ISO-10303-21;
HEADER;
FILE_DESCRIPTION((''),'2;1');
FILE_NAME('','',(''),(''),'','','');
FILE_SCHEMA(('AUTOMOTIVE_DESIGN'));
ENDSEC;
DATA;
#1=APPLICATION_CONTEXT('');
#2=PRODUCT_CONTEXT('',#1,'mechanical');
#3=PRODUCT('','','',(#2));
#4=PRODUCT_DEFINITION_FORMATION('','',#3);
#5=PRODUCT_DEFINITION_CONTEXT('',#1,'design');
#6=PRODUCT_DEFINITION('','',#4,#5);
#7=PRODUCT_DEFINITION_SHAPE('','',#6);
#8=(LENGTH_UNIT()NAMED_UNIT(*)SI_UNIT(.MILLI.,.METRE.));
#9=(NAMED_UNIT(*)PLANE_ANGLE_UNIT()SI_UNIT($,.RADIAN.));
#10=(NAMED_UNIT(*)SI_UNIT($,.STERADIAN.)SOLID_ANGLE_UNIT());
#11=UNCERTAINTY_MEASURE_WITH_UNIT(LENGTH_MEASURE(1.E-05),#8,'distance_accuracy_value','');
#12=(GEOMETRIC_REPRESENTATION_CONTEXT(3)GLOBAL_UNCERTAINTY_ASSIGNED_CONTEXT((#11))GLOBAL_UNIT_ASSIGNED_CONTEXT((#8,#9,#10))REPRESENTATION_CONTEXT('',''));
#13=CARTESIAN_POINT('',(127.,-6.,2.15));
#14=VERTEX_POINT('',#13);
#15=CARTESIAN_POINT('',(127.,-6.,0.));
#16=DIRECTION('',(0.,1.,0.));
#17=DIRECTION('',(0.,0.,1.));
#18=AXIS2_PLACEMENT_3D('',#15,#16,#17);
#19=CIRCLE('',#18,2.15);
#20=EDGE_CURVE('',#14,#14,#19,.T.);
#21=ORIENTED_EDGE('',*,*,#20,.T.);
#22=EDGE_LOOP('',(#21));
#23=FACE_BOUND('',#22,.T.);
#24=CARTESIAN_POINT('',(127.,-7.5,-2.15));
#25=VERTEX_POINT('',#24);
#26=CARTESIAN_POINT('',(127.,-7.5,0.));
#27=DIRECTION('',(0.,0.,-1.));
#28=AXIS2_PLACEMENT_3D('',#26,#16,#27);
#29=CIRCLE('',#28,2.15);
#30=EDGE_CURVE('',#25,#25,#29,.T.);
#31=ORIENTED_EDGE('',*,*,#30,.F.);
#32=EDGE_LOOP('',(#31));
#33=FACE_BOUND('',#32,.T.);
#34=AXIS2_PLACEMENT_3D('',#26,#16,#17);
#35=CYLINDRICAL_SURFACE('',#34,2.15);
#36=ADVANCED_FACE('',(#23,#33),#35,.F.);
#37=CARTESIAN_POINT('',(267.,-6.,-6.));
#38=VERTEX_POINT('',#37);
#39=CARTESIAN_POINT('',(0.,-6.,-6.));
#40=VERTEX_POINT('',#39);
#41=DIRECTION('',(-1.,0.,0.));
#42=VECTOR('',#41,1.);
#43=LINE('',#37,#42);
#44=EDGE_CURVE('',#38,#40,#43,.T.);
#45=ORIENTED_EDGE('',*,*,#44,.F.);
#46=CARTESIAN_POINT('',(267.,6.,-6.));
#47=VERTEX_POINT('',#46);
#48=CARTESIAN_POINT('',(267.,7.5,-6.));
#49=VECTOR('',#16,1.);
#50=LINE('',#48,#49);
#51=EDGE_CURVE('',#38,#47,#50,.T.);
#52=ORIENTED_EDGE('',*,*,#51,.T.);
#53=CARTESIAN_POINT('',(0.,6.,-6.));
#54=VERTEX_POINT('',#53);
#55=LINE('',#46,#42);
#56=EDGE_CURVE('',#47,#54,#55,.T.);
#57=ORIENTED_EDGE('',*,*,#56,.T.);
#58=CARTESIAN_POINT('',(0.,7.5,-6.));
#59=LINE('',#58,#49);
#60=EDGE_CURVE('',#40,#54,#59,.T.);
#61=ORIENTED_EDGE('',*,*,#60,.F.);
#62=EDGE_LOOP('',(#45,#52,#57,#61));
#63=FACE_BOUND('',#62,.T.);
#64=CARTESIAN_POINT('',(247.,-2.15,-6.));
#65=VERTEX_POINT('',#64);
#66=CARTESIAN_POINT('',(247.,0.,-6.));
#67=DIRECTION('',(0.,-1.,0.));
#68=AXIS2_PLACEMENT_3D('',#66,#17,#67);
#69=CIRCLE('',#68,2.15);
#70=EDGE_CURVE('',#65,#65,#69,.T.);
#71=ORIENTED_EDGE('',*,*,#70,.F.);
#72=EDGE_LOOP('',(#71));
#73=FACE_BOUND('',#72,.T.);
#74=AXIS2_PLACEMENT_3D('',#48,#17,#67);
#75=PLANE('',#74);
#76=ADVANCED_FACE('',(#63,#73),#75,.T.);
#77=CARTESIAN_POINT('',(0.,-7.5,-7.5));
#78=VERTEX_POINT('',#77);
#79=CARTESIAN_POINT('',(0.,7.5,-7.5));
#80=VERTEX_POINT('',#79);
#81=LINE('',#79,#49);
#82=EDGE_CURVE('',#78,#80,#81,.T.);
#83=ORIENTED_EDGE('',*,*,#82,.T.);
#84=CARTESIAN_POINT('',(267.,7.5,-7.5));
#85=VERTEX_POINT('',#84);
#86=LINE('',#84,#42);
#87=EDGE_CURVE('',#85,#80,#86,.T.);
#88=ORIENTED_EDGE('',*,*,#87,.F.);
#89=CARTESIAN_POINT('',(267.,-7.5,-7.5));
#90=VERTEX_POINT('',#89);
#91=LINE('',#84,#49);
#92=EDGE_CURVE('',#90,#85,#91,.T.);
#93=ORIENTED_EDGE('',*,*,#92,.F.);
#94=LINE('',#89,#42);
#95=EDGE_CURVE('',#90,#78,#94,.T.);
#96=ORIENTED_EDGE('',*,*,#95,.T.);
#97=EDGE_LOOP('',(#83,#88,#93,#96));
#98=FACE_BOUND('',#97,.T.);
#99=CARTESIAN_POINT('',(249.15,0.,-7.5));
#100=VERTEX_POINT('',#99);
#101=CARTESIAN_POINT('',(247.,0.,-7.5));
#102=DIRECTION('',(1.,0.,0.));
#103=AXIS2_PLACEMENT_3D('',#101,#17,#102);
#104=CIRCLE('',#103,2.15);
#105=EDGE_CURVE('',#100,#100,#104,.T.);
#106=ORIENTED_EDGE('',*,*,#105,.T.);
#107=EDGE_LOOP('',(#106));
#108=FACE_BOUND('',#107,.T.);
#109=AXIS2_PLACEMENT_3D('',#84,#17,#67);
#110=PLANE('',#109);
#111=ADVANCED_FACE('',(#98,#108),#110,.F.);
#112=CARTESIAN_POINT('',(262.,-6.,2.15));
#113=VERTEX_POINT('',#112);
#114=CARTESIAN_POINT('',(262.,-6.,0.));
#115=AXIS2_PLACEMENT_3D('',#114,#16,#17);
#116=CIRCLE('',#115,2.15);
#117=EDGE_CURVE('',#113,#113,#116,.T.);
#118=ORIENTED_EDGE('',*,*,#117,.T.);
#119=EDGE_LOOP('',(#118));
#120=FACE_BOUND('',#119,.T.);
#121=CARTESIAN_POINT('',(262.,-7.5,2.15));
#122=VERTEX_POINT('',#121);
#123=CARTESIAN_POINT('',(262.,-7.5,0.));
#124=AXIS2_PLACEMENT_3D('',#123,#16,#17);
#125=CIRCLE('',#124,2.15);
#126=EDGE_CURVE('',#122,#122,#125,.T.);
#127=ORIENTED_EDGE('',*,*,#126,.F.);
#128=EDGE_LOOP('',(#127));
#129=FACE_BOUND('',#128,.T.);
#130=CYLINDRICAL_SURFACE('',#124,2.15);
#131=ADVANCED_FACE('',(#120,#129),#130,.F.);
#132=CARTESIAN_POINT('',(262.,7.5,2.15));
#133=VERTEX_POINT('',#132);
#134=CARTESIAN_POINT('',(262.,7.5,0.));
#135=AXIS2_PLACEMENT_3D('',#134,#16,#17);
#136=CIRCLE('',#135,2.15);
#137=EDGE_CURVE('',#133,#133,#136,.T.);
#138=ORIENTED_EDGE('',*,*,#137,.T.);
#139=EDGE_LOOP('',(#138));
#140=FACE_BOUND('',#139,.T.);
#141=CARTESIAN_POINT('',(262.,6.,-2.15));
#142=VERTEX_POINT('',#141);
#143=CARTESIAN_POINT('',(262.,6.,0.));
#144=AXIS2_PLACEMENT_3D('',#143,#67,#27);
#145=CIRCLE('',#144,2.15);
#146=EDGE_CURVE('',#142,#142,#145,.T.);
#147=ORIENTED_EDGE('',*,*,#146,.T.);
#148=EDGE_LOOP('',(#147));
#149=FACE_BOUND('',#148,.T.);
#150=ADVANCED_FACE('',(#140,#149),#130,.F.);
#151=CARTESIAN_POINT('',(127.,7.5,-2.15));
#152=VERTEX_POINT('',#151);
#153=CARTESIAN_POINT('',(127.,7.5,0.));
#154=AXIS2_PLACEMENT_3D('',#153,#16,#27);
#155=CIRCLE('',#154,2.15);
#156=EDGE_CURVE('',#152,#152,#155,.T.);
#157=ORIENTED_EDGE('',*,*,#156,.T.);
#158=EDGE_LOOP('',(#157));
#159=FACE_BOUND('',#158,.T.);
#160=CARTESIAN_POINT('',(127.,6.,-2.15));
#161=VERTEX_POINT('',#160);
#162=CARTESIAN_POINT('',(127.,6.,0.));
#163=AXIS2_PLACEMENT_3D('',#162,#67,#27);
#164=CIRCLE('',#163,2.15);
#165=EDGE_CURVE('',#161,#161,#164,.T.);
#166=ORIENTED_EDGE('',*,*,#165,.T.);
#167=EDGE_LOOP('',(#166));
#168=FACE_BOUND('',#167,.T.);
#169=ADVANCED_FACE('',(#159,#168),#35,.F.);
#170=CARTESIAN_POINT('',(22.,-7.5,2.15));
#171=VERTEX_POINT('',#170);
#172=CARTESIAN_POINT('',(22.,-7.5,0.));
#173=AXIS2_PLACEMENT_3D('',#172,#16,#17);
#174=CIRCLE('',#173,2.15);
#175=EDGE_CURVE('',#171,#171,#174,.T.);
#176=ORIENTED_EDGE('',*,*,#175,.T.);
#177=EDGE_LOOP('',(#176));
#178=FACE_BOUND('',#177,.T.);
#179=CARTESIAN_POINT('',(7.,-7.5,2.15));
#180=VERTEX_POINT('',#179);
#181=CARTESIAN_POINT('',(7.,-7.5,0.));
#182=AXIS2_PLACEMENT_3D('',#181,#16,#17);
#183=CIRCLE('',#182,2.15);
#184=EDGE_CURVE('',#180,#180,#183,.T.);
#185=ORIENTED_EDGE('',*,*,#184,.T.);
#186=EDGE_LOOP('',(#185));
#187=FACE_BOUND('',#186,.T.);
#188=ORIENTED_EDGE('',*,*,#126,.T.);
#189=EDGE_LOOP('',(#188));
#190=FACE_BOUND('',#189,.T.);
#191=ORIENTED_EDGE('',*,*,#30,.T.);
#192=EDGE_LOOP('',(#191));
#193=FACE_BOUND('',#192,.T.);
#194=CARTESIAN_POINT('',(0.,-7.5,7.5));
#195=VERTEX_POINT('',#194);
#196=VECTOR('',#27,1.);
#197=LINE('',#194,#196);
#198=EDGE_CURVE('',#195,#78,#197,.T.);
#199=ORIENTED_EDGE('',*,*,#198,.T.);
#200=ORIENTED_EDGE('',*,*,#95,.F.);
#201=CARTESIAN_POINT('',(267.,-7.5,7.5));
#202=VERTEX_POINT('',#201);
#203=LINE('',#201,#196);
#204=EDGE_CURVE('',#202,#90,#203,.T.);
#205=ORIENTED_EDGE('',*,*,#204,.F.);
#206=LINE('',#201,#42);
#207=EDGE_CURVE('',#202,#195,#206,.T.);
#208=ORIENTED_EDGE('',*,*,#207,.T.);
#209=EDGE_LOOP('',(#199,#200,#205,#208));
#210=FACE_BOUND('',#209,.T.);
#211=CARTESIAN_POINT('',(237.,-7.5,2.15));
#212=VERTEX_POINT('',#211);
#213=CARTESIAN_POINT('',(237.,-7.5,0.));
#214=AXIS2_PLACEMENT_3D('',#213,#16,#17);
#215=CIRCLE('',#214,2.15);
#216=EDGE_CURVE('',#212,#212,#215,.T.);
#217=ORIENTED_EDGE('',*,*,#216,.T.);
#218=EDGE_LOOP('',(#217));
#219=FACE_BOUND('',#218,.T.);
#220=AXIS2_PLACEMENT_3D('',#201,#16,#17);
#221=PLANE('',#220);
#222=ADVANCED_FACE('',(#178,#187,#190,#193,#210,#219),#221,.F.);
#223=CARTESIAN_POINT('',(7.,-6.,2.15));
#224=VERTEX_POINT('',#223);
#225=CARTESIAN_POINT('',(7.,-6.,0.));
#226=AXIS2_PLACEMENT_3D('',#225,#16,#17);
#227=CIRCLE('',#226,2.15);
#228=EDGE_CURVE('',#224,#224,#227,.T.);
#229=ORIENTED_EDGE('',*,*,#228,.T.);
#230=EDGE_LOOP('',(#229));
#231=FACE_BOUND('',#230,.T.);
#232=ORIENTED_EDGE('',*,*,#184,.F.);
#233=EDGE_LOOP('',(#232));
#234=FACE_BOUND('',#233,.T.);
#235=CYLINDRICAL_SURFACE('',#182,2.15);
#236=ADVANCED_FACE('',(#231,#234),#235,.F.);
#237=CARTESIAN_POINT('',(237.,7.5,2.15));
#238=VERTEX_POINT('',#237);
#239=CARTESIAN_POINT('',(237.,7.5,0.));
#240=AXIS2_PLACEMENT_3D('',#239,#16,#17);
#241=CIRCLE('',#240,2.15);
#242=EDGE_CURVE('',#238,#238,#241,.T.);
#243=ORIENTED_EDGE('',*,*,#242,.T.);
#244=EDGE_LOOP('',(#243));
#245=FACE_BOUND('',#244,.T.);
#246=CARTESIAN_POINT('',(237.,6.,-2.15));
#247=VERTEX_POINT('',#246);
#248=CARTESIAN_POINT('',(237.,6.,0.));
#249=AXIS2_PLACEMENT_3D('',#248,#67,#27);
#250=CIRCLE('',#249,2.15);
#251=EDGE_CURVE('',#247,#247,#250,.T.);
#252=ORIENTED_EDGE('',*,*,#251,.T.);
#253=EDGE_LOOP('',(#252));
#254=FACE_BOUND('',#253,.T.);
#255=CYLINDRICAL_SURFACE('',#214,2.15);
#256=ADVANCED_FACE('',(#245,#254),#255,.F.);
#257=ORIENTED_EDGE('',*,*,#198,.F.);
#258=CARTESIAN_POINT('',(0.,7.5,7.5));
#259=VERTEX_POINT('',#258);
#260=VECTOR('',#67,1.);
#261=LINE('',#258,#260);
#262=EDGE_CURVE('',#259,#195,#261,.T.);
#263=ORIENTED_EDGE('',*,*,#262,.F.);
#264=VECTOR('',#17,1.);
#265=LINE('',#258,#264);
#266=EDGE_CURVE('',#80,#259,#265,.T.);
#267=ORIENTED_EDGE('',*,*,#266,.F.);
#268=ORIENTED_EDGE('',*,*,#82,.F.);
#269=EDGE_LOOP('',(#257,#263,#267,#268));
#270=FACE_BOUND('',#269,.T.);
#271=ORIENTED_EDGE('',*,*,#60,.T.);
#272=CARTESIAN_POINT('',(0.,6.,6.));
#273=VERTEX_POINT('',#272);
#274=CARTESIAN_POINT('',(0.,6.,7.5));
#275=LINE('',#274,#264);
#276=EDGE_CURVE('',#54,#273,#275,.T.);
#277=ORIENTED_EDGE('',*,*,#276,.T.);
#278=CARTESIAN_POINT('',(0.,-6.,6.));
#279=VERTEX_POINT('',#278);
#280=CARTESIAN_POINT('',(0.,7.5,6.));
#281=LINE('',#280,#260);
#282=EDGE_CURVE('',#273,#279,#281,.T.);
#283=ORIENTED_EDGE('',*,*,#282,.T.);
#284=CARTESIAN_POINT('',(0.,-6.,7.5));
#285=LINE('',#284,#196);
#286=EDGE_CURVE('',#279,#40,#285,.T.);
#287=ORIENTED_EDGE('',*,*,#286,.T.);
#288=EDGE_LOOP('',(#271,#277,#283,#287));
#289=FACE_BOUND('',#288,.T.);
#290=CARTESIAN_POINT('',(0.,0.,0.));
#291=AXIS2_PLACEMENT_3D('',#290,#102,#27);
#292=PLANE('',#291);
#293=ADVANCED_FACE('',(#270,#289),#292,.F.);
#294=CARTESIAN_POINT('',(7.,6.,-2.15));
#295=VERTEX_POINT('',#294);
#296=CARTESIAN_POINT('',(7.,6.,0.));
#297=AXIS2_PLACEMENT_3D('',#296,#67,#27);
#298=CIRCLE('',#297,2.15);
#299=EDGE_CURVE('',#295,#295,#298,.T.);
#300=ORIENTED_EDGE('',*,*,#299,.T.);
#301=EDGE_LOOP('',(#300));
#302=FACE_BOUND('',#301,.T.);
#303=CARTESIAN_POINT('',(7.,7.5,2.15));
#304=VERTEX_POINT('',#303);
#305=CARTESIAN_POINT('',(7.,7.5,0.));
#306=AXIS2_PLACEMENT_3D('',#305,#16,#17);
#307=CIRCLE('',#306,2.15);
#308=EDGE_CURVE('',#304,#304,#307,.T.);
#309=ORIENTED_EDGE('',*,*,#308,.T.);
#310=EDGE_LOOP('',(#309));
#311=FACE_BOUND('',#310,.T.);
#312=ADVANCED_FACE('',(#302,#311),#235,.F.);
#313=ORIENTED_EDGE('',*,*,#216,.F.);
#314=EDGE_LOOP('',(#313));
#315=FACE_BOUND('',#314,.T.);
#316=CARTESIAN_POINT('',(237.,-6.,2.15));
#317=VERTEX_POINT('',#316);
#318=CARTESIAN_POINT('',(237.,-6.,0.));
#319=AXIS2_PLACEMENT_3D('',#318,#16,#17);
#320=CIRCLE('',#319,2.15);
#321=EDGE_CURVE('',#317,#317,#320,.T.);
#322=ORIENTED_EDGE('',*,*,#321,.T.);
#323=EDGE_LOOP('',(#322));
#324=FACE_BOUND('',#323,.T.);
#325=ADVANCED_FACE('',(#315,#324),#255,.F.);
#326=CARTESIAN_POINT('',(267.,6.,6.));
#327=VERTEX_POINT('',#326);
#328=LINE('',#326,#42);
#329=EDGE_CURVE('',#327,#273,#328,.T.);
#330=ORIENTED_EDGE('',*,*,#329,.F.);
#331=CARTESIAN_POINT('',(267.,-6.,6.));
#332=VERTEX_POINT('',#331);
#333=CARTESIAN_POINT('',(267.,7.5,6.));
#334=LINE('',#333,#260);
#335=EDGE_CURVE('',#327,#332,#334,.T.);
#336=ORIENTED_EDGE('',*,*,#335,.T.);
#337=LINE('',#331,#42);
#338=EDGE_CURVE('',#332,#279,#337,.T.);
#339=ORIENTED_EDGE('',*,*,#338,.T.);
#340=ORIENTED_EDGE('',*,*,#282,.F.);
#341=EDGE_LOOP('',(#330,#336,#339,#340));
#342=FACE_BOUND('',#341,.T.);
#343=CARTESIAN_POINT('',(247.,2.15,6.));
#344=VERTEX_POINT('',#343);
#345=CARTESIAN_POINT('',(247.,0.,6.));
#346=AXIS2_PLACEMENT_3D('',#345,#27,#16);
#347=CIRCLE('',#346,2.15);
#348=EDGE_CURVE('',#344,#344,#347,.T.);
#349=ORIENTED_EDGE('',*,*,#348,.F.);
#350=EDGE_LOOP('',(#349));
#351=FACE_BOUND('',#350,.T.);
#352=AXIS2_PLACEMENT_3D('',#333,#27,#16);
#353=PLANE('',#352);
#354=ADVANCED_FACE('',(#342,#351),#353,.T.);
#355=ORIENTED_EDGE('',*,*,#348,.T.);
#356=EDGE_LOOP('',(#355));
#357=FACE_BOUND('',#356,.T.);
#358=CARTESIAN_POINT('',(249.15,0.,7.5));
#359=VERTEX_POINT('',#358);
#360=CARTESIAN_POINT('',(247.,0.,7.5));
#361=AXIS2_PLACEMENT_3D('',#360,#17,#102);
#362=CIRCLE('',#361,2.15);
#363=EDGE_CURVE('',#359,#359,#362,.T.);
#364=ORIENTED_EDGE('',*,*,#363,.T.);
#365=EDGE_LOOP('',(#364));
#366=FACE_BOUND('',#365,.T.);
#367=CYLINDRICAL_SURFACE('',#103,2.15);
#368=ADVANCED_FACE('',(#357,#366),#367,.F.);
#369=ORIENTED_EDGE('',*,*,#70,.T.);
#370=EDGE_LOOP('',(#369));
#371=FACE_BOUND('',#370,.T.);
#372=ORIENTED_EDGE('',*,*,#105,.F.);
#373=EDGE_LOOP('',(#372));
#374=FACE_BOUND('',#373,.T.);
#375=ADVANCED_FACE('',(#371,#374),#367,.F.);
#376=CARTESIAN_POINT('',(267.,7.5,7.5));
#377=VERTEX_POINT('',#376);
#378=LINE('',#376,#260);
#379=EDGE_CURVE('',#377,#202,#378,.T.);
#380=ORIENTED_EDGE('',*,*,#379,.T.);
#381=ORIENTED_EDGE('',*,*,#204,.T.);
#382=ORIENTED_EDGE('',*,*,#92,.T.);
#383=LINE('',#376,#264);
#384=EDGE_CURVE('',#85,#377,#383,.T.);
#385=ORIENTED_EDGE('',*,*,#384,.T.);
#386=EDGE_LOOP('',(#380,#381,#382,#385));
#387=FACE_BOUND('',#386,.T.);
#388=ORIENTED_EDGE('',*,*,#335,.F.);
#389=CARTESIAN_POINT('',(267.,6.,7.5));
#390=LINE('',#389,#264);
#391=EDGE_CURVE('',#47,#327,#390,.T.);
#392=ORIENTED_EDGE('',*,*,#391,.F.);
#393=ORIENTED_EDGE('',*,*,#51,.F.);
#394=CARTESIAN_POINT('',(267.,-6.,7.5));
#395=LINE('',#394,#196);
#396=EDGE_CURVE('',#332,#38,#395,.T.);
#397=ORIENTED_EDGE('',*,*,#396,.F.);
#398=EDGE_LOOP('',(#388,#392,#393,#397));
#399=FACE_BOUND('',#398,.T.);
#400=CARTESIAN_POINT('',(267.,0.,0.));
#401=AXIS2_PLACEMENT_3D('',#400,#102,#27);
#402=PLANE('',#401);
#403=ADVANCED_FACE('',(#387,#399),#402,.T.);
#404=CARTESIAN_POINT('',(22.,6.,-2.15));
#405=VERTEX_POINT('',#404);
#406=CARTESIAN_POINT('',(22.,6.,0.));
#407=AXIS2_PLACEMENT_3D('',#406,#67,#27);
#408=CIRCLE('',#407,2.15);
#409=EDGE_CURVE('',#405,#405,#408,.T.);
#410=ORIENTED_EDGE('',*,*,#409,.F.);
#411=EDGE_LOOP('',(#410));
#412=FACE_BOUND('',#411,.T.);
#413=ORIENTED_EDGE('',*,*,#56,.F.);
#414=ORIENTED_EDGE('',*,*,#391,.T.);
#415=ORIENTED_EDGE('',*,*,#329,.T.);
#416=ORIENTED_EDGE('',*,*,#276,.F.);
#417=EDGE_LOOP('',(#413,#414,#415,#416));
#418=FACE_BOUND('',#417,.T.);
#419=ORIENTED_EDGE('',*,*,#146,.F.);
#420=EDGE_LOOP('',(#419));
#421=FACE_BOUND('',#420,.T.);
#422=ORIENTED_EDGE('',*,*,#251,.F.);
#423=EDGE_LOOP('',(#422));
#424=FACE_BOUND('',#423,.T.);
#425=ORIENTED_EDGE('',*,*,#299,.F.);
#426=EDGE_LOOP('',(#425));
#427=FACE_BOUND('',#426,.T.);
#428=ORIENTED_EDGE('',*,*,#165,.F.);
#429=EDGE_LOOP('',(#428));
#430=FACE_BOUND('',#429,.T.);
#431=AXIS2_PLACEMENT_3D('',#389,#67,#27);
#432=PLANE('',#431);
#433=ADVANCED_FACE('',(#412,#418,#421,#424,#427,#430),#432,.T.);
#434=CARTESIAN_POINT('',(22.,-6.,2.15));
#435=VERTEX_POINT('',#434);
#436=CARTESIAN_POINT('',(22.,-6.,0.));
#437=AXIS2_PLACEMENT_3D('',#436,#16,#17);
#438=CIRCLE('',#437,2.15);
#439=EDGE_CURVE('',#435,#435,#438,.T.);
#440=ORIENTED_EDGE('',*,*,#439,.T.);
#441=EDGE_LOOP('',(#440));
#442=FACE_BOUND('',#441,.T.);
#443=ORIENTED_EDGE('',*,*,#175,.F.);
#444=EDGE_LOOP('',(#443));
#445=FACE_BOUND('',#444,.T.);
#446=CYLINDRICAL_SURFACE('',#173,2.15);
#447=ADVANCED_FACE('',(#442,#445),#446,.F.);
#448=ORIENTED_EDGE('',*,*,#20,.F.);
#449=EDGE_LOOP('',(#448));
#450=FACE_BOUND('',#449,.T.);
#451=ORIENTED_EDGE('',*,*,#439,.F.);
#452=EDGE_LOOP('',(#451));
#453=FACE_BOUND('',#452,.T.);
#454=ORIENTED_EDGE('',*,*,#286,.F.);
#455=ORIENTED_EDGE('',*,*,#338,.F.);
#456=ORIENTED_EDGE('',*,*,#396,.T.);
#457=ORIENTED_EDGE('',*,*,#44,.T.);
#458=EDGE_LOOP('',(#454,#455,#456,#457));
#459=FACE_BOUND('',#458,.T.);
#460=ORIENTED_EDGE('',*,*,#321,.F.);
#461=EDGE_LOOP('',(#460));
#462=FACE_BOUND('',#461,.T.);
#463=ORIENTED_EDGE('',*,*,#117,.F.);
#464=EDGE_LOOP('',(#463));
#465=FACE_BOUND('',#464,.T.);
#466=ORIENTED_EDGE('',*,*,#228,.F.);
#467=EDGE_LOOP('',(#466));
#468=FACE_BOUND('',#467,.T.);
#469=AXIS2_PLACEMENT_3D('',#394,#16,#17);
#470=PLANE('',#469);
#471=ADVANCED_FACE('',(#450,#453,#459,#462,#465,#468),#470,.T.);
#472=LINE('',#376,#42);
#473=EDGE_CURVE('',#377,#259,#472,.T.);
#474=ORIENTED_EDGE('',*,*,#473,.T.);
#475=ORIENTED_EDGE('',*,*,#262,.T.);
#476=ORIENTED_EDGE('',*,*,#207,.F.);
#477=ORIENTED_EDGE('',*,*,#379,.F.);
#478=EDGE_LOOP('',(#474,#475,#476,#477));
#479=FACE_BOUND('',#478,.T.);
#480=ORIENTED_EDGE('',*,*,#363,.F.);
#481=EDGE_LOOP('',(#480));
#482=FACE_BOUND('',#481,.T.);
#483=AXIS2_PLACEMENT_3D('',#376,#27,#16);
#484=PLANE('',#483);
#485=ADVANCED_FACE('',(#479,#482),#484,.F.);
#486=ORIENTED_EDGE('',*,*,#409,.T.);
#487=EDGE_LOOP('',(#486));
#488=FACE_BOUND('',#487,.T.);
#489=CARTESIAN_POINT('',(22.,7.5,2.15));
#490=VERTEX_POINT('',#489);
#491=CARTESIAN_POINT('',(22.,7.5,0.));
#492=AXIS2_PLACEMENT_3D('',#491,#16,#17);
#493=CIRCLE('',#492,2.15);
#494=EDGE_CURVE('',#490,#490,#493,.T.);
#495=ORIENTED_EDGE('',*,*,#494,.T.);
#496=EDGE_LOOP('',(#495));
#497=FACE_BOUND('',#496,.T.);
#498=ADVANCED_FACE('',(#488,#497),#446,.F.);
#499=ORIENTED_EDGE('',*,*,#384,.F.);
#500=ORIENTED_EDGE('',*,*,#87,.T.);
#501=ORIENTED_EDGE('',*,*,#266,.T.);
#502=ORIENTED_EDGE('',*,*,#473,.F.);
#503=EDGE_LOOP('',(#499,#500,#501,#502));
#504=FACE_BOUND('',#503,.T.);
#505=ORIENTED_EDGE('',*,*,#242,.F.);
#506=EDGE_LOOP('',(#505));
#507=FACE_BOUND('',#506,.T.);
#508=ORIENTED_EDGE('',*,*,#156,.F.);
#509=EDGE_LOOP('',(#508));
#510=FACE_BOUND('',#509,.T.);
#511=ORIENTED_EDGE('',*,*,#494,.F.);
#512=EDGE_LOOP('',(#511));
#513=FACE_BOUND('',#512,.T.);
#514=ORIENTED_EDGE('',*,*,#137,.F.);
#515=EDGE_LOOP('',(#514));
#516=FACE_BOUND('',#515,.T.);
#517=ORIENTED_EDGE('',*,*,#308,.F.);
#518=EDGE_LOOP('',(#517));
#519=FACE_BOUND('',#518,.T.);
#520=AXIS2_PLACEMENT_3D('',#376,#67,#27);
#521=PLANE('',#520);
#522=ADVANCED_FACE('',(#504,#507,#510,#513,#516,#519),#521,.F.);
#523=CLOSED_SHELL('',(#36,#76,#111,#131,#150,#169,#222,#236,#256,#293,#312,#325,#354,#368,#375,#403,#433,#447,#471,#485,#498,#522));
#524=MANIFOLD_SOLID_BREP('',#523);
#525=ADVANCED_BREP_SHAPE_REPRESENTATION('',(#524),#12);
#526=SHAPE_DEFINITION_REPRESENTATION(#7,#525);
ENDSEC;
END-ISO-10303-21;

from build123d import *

# Parameters (mm, degrees)
SKETCH_1_W          = 15
SKETCH_1_H          = 15
SKETCH_1_W_2        = 12
SKETCH_1_H_2        = 12
EXTRUDE_1_DEPTH     = 267
SKETCH_2_R          = 2.15
CUT_EXTRUDE_1_DEPTH = 268.526166944
SKETCH_3_R          = 2.15
CUT_EXTRUDE_2_DEPTH = 268.526166944


with BuildPart() as part:
    # ｽｹｯﾁ1 → 押し出し-薄板1 (new body)
    with BuildSketch(Plane(origin=(0, 0, 0), x_dir=(0, 0, -1), z_dir=(1, 0, 0))):
        Rectangle(SKETCH_1_W, SKETCH_1_H)
        Rectangle(SKETCH_1_W_2, SKETCH_1_H_2, mode=Mode.SUBTRACT)
    extrude(amount=EXTRUDE_1_DEPTH)

    # ｽｹｯﾁ2 → ｶｯﾄ - 押し出し1 (cut, through all)
    with BuildSketch(Plane(origin=(0, 7.5, 0), x_dir=(1, 0, 0), z_dir=(0, 1, 0))):
        with Locations(Location((262, 0, 0), (0, 0, 270))):
            Circle(SKETCH_2_R)
        with Locations(Location((22, 0, 0), (0, 0, 270))):
            Circle(SKETCH_2_R)
        with Locations(Location((7, 0, 0), (0, 0, 270))):
            Circle(SKETCH_2_R)
        with Locations(Location((237, 0, 0), (0, 0, 270))):
            Circle(SKETCH_2_R)
        with Locations(Location((127, 0, 0), (0, 0, 270))):
            Circle(SKETCH_2_R)
    extrude(amount=-CUT_EXTRUDE_1_DEPTH, mode=Mode.SUBTRACT)

    # ｽｹｯﾁ3 → ｶｯﾄ - 押し出し2 (cut, through all)
    with BuildSketch(Plane.XY.offset(7.5)):
        with Locations((247, 0)):
            Circle(SKETCH_3_R)
    extrude(amount=-CUT_EXTRUDE_2_DEPTH, mode=Mode.SUBTRACT)


solid = part.part
